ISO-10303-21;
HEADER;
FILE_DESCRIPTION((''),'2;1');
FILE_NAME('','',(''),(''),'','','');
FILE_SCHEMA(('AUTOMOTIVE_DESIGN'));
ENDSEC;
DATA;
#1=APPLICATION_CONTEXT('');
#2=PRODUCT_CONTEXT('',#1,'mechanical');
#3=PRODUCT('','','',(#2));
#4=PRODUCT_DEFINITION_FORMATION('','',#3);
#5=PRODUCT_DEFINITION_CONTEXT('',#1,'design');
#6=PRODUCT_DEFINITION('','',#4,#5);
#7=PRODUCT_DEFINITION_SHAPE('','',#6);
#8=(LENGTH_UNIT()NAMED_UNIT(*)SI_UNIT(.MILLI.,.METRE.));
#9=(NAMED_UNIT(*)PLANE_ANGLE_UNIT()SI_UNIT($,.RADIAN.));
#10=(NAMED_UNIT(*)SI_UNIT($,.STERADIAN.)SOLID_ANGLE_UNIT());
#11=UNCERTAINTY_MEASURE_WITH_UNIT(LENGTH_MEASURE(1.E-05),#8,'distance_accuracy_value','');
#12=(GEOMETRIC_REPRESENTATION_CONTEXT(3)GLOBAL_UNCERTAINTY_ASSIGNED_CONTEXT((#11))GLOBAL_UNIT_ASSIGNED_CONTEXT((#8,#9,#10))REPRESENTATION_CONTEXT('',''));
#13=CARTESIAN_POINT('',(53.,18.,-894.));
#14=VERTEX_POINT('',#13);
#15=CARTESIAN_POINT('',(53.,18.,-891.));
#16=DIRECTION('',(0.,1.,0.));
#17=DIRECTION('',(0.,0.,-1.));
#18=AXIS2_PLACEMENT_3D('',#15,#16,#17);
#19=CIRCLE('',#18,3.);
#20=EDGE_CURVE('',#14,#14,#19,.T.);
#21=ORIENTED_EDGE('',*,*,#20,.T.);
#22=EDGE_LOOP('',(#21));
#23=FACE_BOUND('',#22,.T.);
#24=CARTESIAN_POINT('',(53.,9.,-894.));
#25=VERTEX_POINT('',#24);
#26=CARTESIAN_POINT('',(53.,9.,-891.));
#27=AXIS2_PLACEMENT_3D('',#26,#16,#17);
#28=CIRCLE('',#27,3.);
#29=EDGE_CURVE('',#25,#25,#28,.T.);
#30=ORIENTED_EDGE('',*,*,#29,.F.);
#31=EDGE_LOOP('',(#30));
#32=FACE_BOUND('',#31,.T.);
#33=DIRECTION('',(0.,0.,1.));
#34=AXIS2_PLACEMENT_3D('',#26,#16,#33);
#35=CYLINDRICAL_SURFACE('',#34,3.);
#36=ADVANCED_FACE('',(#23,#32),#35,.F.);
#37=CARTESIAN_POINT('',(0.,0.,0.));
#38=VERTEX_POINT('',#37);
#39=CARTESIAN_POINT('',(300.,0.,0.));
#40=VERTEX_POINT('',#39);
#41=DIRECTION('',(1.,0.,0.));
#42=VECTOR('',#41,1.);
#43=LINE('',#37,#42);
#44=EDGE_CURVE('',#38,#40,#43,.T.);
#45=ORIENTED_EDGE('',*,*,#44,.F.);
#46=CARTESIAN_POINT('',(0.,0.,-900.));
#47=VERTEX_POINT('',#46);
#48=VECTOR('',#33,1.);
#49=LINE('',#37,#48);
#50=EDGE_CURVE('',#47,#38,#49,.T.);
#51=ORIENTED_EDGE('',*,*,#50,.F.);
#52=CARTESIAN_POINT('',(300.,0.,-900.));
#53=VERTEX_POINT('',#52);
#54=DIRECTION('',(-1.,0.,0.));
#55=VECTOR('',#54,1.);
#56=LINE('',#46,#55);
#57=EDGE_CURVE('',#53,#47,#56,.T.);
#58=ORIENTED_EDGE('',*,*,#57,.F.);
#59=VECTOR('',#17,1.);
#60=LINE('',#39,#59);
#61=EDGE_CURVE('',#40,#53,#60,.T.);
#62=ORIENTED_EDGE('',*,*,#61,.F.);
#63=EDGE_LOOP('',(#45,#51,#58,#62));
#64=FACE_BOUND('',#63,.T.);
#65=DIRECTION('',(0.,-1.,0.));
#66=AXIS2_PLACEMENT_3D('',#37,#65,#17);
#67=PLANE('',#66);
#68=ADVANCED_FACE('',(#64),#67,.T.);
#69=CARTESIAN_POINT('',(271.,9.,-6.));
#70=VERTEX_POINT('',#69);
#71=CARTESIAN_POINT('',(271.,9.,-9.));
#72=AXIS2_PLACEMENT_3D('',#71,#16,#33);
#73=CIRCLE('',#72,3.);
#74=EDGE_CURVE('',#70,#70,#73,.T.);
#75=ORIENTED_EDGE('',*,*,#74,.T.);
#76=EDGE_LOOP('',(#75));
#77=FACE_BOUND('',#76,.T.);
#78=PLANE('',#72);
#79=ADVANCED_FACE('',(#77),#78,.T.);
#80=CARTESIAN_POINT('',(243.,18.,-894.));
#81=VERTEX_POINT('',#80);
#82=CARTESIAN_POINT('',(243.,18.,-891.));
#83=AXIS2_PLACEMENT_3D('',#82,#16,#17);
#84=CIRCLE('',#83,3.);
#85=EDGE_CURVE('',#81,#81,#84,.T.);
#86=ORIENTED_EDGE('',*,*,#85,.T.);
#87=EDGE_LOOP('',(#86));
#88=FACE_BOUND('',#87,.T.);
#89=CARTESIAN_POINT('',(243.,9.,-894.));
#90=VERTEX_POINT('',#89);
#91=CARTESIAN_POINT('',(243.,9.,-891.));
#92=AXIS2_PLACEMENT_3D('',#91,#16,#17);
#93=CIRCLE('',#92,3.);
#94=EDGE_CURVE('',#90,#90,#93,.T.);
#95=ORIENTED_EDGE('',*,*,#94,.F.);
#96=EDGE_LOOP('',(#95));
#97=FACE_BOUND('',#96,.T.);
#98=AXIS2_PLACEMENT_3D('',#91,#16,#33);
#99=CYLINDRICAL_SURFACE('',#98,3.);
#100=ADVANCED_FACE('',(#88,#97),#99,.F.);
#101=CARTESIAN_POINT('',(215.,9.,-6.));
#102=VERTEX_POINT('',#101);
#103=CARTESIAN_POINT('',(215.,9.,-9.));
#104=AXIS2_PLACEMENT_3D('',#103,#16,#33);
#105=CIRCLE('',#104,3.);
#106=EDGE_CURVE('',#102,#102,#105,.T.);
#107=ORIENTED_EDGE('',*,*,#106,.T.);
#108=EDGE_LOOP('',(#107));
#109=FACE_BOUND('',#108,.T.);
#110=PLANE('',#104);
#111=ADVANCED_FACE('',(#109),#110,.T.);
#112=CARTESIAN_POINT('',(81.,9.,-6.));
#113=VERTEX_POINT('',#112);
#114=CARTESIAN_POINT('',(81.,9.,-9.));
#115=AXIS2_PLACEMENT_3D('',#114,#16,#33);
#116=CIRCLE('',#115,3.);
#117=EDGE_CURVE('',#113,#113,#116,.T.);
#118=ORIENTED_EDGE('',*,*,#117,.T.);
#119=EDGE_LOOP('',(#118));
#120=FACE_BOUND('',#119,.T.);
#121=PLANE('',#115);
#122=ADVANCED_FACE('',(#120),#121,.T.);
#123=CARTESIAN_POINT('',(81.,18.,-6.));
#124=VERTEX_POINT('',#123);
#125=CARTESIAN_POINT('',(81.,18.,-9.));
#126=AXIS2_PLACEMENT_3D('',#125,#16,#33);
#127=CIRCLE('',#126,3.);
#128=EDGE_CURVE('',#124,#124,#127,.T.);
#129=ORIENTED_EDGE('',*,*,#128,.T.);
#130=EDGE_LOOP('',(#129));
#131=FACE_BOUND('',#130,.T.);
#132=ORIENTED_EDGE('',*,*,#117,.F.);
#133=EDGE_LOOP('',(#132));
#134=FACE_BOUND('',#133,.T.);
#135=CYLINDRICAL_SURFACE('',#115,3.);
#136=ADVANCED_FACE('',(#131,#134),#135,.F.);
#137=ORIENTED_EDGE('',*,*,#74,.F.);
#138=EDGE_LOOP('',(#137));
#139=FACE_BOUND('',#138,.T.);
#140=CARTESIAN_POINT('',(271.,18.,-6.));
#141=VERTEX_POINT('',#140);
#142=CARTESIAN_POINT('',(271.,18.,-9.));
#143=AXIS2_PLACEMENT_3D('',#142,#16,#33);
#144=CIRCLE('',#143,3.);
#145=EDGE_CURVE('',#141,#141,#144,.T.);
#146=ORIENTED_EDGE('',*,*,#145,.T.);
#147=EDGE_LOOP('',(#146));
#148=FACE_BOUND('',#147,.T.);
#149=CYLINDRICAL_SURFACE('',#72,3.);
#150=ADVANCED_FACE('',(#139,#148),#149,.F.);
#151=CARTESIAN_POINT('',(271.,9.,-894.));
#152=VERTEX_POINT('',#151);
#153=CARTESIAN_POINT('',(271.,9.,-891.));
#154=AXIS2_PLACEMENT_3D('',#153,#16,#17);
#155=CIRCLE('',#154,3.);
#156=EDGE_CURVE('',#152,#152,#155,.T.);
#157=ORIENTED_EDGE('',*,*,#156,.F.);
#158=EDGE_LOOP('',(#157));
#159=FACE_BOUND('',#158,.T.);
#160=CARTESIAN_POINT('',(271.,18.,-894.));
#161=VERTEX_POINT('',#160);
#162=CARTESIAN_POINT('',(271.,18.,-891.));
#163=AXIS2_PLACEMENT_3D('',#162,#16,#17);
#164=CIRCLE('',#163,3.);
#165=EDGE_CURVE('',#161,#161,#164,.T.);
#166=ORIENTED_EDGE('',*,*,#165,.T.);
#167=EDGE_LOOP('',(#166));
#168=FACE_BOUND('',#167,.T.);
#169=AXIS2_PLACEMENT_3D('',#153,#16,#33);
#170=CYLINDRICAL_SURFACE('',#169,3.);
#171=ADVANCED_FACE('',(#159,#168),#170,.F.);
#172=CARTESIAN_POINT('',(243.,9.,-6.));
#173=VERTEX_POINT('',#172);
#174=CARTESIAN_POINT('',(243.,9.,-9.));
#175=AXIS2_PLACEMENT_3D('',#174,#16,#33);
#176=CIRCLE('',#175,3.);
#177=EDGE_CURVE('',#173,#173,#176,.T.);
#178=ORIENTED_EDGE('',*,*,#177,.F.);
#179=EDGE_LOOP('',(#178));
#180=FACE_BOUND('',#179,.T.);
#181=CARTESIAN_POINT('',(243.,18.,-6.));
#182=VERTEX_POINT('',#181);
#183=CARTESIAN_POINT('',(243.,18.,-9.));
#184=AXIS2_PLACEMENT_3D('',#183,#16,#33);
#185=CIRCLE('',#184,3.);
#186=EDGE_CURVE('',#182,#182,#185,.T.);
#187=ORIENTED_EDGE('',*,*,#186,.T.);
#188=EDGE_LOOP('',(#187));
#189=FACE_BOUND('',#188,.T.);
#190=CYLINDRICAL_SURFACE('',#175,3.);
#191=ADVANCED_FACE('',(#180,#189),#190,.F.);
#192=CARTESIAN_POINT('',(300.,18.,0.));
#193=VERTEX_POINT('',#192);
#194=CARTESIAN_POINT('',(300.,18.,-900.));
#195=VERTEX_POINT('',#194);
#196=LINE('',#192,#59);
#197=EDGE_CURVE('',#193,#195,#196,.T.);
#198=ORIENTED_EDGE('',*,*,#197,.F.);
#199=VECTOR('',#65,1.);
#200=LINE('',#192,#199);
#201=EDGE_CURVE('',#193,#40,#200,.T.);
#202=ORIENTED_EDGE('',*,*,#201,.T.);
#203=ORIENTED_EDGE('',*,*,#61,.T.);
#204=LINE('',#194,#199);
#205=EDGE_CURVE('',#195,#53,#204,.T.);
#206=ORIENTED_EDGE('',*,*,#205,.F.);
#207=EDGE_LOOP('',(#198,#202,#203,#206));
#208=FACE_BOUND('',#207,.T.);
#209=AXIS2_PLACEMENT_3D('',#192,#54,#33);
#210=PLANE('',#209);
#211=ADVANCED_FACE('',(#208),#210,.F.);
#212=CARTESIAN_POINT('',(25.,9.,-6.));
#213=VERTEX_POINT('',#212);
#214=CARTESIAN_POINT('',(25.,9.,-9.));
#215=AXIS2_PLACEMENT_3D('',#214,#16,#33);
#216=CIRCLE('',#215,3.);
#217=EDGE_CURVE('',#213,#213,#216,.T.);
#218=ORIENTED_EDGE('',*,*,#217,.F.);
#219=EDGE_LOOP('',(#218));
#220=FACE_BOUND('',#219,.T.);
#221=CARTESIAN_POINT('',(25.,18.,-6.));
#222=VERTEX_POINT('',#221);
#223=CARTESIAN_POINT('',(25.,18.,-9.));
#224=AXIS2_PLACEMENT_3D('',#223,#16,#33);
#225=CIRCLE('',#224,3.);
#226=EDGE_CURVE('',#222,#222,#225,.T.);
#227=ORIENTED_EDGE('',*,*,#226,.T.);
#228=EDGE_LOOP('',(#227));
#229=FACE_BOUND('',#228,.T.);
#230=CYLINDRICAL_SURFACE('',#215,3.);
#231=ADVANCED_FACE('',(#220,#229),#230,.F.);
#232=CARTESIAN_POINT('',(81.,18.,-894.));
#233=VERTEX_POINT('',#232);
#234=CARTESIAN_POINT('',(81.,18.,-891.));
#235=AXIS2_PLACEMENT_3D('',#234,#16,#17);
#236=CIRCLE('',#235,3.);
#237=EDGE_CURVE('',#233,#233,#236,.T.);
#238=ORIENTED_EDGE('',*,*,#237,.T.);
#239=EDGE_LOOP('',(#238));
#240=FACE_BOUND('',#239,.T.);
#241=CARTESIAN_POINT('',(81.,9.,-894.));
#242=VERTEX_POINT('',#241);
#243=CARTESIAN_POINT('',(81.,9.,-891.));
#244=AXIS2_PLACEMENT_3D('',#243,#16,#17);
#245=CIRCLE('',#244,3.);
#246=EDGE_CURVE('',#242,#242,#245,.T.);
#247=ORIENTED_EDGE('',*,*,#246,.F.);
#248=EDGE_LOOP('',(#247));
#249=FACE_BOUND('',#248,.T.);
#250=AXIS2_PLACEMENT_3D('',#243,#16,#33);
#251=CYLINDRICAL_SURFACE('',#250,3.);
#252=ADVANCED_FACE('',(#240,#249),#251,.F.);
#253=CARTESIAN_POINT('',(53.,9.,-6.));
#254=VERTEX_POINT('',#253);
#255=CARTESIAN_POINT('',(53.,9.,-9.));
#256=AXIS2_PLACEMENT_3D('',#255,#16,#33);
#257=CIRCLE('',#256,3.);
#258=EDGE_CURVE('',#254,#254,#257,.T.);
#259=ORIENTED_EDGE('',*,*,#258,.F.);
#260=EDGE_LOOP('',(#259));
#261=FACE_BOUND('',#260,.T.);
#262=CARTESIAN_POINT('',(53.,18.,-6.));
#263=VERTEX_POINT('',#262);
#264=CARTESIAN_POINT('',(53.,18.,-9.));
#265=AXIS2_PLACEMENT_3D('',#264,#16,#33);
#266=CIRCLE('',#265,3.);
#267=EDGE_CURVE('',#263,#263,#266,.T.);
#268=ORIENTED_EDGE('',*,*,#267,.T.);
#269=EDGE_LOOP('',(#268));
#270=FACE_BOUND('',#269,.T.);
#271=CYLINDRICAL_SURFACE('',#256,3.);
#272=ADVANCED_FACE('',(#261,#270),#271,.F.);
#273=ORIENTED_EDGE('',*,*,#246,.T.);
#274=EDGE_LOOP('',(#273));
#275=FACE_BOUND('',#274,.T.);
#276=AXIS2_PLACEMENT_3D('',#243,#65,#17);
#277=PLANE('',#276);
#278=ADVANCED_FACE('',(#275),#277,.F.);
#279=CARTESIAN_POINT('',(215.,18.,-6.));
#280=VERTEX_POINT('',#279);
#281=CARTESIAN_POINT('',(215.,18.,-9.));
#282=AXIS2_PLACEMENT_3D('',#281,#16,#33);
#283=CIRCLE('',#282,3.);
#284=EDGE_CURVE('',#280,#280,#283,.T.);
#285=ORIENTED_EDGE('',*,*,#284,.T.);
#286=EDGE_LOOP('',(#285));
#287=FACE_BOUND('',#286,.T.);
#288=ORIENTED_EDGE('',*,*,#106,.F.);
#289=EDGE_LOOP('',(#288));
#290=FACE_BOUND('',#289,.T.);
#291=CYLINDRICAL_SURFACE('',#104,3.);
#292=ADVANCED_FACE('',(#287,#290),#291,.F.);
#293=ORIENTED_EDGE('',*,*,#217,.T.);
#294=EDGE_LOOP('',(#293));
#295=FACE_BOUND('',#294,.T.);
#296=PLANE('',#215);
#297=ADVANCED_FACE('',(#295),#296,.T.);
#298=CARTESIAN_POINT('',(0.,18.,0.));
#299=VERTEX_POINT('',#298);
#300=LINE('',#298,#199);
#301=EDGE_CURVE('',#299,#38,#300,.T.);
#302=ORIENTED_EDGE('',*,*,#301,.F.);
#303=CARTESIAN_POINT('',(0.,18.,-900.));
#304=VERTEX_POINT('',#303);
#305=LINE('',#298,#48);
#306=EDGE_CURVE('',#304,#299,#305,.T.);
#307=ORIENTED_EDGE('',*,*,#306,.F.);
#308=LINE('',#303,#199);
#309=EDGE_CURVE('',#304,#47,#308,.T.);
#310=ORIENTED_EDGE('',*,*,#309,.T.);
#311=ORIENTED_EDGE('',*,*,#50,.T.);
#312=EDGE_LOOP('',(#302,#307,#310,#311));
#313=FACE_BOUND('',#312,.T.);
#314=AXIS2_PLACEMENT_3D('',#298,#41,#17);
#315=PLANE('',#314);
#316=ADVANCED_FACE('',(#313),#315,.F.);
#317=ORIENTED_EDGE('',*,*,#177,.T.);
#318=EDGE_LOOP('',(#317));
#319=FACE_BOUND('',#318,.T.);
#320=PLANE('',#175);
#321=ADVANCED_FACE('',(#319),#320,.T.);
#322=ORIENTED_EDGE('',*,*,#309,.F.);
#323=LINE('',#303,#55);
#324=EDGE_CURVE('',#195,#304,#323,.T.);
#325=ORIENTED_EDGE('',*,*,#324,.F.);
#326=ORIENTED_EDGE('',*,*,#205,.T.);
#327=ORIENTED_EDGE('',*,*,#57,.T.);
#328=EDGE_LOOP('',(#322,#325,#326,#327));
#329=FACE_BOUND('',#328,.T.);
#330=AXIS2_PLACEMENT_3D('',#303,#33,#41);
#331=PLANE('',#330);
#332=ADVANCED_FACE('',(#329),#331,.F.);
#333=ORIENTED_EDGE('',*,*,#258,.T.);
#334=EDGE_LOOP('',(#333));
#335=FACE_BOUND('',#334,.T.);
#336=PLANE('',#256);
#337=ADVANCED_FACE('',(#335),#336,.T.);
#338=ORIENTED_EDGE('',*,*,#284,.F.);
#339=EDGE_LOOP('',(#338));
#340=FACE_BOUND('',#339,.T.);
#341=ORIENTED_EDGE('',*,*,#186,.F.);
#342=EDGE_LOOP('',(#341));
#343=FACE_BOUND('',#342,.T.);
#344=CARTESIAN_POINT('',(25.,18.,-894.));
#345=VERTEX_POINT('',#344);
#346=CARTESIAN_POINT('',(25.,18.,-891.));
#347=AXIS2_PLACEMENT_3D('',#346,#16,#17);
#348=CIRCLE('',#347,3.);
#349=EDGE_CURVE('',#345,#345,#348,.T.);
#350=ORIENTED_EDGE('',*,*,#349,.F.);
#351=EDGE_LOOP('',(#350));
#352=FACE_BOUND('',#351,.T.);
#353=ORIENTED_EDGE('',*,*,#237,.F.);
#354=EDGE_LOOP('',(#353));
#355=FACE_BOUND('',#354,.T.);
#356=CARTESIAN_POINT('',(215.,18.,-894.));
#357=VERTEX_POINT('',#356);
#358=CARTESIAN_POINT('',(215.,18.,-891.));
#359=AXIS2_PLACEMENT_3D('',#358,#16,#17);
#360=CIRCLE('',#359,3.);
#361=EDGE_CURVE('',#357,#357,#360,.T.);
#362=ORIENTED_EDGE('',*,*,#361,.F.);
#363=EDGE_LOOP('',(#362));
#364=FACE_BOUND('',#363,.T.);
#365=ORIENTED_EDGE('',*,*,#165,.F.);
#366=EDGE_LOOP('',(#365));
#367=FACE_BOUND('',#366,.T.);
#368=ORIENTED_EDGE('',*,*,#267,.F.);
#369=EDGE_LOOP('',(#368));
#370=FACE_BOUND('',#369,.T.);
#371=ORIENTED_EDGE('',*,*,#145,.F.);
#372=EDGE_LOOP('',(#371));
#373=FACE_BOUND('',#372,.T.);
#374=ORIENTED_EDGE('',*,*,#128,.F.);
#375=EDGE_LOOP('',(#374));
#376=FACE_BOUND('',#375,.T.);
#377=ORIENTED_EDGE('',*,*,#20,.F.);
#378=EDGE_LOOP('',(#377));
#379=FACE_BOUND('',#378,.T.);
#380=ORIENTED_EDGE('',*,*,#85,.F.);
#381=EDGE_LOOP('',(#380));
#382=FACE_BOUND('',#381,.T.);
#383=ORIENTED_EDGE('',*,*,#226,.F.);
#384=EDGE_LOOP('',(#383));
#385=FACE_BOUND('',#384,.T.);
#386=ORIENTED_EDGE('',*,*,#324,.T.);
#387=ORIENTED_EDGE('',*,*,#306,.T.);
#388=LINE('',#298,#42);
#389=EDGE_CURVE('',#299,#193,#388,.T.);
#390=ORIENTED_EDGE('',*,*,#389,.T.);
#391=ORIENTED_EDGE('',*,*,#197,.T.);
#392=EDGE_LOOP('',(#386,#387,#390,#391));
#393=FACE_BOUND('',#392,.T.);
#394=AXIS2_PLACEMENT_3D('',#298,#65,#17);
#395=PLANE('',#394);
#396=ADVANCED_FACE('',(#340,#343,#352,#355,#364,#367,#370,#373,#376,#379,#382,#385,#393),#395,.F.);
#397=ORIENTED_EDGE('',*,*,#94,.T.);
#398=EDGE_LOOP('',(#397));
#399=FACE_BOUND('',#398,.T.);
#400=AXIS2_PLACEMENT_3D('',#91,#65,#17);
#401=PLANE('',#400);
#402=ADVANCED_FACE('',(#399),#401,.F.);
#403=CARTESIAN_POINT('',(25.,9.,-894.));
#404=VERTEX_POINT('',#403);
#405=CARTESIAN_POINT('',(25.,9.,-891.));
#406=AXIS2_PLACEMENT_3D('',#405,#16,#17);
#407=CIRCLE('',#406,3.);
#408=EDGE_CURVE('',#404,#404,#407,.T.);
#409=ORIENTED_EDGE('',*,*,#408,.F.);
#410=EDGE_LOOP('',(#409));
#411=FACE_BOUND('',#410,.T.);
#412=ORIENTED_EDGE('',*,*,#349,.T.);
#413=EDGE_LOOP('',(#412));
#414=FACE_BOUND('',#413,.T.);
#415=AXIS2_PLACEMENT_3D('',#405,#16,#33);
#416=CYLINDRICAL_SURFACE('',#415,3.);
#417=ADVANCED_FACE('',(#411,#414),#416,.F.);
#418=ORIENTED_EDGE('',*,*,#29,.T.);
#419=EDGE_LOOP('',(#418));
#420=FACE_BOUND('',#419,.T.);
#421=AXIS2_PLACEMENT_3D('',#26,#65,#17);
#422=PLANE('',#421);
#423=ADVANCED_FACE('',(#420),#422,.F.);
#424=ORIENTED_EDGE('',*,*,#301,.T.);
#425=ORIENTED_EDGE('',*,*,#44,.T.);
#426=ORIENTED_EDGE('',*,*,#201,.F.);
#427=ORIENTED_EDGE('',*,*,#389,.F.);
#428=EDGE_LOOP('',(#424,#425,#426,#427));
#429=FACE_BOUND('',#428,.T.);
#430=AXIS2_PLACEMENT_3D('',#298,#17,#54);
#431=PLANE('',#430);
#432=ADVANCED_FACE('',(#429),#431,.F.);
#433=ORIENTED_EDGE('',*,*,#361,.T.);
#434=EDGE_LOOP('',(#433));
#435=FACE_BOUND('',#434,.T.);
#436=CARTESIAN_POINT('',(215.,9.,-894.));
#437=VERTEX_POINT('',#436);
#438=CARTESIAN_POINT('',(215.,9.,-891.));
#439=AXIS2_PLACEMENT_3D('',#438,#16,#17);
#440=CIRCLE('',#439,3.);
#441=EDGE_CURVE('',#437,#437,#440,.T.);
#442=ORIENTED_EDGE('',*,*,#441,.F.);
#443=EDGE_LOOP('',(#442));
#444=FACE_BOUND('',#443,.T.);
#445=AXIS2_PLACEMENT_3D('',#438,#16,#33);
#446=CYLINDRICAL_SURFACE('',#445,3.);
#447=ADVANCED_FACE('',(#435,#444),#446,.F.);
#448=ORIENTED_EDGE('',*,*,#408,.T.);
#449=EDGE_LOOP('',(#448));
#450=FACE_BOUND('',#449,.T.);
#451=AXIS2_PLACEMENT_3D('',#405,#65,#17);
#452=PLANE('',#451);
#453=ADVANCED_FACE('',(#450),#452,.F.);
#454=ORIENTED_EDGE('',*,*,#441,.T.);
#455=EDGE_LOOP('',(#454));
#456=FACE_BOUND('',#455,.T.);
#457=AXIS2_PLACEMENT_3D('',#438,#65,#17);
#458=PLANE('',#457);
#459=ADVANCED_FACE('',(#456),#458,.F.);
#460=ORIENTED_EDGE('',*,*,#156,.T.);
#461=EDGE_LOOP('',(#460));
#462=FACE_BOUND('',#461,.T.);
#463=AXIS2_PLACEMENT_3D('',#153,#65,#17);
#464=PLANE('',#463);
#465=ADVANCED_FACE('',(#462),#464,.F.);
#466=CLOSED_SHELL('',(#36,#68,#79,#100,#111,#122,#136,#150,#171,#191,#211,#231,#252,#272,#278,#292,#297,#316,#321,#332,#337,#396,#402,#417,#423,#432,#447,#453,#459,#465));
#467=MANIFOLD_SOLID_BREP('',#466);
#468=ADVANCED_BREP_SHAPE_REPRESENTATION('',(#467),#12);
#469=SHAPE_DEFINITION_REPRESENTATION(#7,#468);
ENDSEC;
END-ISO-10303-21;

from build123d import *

# Parameters (mm, degrees)
SKETCH_2_W          = 300
SKETCH_2_H          = 900
EXTRUDE_1_DEPTH     = 18
SKETCH_3_R          = 3
CUT_EXTRUDE_1_DEPTH = 9


with BuildPart() as part:
    # Эскиз2 → Бобышка-Вытянуть1 (new body)
    with BuildSketch(Plane(origin=(0, 0, 0), x_dir=(1, 0, 0), z_dir=(0, 1, 0))):
        with Locations((150, 450)):
            Rectangle(SKETCH_2_W, SKETCH_2_H)
    extrude(amount=EXTRUDE_1_DEPTH)

    # Эскиз3 → Вырез-Вытянуть1 (cut)
    with BuildSketch(Plane(origin=(0, 18, 0), x_dir=(1, 0, 0), z_dir=(0, 1, 0))):
        with Locations((25, 9)):
            Circle(SKETCH_3_R)
        with Locations((53, 9)):
            Circle(SKETCH_3_R)
        with Locations((81, 9)):
            Circle(SKETCH_3_R)
        with Locations((215, 9)):
            Circle(SKETCH_3_R)
        with Locations((243, 9)):
            Circle(SKETCH_3_R)
        with Locations((271, 9)):
            Circle(SKETCH_3_R)
        with Locations((271, 891)):
            Circle(SKETCH_3_R)
        with Locations((243, 891)):
            Circle(SKETCH_3_R)
        with Locations((215, 891)):
            Circle(SKETCH_3_R)
        with Locations((81, 891)):
            Circle(SKETCH_3_R)
        with Locations((53, 891)):
            Circle(SKETCH_3_R)
        with Locations((25, 891)):
            Circle(SKETCH_3_R)
    extrude(amount=-CUT_EXTRUDE_1_DEPTH, mode=Mode.SUBTRACT)


solid = part.part
